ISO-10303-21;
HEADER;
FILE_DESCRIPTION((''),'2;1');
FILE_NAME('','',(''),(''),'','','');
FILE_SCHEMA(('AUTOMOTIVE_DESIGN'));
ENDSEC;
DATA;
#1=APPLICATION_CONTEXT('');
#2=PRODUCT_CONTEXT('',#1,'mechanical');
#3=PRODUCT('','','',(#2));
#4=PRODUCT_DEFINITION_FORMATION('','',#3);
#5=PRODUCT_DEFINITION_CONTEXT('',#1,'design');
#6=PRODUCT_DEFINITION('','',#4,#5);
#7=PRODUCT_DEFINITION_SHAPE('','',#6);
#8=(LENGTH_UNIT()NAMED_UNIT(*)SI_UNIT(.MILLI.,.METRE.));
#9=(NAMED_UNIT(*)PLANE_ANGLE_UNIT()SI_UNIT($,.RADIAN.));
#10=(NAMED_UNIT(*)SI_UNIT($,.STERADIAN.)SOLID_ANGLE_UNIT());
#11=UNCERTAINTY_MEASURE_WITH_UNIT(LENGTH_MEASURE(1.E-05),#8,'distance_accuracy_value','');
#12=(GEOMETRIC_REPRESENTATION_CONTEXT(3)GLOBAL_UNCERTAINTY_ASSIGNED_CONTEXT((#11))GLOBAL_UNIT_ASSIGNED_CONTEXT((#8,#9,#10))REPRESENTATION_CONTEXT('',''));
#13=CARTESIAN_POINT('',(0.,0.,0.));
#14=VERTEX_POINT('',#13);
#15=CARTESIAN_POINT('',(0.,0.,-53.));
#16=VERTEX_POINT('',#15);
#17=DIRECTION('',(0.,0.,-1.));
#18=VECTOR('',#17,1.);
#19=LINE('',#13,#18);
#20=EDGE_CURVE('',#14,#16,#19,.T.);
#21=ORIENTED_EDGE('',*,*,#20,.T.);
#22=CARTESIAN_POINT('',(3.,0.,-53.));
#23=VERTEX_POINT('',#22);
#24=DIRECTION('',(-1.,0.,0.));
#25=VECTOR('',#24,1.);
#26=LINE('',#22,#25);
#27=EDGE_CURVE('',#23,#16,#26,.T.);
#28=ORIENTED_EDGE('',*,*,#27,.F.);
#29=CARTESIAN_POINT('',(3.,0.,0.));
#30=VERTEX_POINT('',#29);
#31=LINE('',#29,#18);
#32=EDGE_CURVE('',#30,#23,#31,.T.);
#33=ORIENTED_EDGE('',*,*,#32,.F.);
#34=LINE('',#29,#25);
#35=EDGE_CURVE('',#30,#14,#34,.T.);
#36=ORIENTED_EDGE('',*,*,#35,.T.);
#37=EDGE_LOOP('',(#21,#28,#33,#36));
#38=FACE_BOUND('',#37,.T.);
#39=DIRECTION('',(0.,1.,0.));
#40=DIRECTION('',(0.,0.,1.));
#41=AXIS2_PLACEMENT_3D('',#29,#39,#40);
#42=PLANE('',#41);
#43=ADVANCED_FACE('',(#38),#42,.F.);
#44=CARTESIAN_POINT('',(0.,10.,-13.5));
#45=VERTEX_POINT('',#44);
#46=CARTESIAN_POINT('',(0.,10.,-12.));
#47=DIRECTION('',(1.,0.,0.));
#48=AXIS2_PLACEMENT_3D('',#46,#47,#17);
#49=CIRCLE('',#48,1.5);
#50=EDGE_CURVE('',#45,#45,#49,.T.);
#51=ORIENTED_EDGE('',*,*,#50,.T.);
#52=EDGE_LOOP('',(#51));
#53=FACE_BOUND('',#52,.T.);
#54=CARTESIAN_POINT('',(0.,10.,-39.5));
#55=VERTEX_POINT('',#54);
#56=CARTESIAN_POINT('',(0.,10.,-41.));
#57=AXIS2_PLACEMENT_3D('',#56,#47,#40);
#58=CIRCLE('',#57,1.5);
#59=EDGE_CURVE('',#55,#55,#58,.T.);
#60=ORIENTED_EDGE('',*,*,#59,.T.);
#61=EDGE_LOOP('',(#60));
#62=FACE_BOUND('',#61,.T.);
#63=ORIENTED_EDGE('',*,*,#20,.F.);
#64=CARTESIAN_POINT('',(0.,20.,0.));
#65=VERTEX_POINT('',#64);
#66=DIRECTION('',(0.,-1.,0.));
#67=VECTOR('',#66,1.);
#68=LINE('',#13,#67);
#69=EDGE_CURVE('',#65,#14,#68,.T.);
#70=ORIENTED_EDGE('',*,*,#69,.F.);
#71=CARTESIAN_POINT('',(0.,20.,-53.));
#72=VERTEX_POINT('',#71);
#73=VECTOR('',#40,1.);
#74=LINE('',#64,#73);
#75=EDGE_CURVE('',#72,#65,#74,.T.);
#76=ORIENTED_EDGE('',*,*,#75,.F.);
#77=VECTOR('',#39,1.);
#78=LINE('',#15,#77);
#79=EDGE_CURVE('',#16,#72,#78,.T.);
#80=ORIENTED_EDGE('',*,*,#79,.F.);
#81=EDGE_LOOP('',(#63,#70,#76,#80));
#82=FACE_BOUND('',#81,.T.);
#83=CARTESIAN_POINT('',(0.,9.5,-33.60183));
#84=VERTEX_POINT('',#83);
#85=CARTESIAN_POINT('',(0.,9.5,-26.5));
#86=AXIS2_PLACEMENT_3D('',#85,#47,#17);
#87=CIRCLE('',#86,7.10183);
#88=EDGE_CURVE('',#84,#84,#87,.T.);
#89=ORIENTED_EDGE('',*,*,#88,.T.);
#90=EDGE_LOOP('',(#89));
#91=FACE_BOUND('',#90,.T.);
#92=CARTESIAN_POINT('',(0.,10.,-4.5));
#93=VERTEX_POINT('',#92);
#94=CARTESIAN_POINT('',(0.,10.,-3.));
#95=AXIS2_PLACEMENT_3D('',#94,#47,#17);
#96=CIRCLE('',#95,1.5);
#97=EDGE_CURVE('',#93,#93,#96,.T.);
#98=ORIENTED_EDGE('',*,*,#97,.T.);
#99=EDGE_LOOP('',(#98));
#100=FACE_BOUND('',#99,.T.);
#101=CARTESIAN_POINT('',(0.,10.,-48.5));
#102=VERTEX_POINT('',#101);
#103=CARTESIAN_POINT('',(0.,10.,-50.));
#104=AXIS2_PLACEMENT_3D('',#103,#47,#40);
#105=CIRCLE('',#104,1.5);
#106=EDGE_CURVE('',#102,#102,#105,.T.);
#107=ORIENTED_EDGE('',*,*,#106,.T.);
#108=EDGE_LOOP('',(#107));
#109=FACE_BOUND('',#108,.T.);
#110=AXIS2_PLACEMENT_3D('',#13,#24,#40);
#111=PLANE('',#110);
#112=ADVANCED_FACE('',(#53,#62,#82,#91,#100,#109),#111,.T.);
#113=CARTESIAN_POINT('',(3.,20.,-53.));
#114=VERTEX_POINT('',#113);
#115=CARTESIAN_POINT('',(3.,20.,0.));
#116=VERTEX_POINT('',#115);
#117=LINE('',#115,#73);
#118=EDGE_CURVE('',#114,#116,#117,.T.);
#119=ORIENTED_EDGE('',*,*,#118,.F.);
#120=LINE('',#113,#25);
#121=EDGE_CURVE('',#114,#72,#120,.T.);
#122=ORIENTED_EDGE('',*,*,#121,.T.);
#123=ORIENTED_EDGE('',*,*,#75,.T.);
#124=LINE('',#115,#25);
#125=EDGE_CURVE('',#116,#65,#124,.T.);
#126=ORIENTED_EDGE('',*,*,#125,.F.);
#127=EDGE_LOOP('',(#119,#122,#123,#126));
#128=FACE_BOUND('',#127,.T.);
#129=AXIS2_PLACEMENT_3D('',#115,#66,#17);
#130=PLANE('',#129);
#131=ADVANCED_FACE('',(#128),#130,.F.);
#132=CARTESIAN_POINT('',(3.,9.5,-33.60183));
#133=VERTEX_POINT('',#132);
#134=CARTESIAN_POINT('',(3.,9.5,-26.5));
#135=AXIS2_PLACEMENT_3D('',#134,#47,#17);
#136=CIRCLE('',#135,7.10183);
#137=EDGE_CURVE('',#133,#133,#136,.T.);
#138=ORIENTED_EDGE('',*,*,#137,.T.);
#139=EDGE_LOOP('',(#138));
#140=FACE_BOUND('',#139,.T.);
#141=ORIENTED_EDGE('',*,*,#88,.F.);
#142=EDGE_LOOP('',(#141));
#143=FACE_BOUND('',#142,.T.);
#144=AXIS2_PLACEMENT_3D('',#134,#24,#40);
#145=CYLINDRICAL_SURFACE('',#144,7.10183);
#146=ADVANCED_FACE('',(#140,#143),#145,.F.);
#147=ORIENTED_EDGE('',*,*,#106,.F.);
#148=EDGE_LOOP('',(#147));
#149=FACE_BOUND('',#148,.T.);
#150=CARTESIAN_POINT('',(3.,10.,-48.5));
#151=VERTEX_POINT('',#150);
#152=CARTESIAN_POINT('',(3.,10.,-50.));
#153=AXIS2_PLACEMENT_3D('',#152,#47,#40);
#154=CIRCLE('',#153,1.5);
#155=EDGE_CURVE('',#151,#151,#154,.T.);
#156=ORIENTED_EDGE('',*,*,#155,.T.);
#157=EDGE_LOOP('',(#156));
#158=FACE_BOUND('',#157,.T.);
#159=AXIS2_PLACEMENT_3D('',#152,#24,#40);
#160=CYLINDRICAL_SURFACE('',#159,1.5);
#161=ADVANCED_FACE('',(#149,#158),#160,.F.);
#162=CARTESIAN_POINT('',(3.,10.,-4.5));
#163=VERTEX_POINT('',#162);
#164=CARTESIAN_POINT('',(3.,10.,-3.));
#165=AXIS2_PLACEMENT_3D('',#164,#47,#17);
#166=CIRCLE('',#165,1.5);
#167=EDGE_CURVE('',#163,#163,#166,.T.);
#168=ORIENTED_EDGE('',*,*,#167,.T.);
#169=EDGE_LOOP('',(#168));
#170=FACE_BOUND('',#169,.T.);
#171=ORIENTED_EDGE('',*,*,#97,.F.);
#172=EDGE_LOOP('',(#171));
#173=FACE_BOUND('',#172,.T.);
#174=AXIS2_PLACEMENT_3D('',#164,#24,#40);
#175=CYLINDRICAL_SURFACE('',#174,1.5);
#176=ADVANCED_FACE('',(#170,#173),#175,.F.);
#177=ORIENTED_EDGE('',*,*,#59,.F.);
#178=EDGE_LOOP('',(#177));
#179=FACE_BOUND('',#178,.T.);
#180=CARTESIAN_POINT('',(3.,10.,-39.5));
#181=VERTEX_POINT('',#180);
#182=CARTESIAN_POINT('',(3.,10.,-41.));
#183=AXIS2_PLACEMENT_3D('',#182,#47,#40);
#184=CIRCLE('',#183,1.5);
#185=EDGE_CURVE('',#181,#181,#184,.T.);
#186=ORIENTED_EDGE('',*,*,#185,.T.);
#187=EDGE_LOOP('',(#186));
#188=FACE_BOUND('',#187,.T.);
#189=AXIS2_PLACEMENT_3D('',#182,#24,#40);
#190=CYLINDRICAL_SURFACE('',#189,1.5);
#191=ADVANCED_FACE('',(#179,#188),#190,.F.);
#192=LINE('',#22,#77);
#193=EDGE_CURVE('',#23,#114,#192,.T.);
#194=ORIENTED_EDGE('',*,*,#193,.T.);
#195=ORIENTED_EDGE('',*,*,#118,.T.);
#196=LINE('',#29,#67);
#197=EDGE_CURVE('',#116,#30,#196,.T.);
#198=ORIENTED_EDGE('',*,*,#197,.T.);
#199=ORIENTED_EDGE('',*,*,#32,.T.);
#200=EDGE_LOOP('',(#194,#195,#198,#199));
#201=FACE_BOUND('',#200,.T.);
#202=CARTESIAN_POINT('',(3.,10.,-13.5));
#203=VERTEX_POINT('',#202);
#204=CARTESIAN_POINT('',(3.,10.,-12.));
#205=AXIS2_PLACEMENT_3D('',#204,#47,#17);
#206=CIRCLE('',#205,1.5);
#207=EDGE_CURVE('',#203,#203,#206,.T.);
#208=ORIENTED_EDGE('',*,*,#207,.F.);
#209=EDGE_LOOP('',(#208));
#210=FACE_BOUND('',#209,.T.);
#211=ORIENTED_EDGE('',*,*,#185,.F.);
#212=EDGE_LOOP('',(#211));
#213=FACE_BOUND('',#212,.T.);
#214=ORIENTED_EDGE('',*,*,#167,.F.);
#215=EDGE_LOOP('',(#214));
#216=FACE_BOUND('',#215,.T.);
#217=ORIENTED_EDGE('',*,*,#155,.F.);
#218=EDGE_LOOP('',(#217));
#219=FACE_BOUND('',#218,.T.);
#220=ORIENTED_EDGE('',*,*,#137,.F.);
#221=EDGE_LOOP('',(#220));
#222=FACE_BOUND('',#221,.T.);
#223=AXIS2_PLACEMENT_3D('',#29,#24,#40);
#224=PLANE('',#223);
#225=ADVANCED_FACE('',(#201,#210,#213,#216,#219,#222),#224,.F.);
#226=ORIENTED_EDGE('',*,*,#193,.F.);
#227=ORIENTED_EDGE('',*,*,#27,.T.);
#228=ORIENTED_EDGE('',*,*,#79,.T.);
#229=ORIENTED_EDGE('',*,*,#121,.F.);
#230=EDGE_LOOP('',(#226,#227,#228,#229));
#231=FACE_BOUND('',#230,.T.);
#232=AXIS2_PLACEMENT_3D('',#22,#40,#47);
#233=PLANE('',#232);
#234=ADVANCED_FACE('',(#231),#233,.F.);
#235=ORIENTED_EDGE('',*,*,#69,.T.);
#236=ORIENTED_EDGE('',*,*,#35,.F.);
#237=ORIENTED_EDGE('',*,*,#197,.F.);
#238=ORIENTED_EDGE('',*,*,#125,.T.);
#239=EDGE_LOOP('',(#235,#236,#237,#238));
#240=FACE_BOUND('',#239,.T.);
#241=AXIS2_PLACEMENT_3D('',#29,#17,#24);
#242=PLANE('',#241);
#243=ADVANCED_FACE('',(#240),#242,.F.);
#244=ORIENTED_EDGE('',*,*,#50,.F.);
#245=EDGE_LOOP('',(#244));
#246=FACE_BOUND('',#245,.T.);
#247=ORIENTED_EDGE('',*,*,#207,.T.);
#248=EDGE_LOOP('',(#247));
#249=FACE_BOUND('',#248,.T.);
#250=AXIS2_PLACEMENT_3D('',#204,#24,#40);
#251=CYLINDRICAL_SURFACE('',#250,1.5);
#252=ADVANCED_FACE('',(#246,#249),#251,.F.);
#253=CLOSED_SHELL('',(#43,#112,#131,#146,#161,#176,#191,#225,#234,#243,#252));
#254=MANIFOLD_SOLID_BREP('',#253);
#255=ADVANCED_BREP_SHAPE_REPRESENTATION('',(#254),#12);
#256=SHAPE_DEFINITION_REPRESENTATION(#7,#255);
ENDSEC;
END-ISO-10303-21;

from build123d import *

# Parameters (mm, degrees)
SKETCH_1_W      = 53
SKETCH_1_H      = 20
SKETCH_1_R      = 1.5
SKETCH_1_R_2    = 7.101830236
EXTRUDE_1_DEPTH = 3


with BuildPart() as part:
    # 草图1 → 凸台-拉伸1 (new body)
    with BuildSketch(Plane(origin=(0, 0, 0), x_dir=(0, 0, -1), z_dir=(1, 0, 0))):
        with Locations((26.5, 10)):
            Rectangle(SKETCH_1_W, SKETCH_1_H)
        with Locations((3, 10)):
            Circle(SKETCH_1_R, mode=Mode.SUBTRACT)
        with Locations((12, 10)):
            Circle(SKETCH_1_R, mode=Mode.SUBTRACT)
        with Locations((26.5, 9.5)):
            Circle(SKETCH_1_R_2, mode=Mode.SUBTRACT)
        with Locations((41, 10)):
            Circle(SKETCH_1_R, mode=Mode.SUBTRACT)
        with Locations((50, 10)):
            Circle(SKETCH_1_R, mode=Mode.SUBTRACT)
    extrude(amount=EXTRUDE_1_DEPTH)


solid = part.part
